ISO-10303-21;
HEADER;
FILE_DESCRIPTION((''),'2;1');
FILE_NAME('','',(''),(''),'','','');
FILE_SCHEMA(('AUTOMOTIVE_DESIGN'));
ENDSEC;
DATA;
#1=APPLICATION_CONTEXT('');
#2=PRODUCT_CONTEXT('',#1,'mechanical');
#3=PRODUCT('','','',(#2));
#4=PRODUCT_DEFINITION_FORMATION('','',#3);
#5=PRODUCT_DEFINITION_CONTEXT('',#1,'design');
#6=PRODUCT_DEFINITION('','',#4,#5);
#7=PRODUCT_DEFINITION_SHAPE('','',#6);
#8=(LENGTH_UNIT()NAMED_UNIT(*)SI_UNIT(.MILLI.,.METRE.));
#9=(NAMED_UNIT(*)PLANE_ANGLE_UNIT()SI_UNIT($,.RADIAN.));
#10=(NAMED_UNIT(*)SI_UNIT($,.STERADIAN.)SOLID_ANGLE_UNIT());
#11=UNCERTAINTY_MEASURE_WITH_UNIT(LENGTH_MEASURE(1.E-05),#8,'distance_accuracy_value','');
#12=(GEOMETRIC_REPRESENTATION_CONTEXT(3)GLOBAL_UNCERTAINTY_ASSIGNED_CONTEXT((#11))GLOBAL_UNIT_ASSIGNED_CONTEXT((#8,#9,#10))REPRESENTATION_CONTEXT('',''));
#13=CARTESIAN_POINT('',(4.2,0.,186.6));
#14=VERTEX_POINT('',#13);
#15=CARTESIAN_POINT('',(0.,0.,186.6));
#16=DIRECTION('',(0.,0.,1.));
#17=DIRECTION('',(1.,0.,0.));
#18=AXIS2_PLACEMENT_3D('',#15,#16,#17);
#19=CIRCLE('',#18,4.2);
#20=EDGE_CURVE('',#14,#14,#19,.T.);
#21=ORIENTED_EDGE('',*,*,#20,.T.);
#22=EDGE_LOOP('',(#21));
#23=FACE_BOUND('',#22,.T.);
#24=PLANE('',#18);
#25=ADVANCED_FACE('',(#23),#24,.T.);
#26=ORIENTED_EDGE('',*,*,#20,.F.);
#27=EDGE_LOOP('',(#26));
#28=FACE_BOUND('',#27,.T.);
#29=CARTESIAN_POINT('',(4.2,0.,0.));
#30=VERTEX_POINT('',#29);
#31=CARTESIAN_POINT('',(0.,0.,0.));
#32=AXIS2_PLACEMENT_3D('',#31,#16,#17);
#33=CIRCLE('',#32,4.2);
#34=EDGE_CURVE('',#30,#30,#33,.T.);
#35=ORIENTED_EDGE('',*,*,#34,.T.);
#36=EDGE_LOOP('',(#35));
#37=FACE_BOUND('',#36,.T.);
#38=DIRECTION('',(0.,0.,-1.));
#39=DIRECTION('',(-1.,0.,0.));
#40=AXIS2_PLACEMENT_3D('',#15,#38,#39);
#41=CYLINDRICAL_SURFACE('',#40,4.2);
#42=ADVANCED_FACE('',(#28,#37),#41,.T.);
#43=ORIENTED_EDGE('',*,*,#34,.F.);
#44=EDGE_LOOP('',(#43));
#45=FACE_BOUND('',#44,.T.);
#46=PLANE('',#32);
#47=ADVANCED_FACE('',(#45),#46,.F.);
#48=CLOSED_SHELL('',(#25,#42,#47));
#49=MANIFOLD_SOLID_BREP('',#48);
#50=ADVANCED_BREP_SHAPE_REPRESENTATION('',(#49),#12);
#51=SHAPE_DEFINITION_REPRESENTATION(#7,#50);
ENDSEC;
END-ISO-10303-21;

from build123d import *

# Parameters (mm, degrees)
ESBO_O1_R                = 4.2
RESSALTO_EXTRUS_O1_DEPTH = 186.6


with BuildPart() as part:
    # Esboço1 → Ressalto-extrusão1 (new body)
    with BuildSketch(Plane.XY):
        Circle(ESBO_O1_R)
    extrude(amount=RESSALTO_EXTRUS_O1_DEPTH)


solid = part.part
